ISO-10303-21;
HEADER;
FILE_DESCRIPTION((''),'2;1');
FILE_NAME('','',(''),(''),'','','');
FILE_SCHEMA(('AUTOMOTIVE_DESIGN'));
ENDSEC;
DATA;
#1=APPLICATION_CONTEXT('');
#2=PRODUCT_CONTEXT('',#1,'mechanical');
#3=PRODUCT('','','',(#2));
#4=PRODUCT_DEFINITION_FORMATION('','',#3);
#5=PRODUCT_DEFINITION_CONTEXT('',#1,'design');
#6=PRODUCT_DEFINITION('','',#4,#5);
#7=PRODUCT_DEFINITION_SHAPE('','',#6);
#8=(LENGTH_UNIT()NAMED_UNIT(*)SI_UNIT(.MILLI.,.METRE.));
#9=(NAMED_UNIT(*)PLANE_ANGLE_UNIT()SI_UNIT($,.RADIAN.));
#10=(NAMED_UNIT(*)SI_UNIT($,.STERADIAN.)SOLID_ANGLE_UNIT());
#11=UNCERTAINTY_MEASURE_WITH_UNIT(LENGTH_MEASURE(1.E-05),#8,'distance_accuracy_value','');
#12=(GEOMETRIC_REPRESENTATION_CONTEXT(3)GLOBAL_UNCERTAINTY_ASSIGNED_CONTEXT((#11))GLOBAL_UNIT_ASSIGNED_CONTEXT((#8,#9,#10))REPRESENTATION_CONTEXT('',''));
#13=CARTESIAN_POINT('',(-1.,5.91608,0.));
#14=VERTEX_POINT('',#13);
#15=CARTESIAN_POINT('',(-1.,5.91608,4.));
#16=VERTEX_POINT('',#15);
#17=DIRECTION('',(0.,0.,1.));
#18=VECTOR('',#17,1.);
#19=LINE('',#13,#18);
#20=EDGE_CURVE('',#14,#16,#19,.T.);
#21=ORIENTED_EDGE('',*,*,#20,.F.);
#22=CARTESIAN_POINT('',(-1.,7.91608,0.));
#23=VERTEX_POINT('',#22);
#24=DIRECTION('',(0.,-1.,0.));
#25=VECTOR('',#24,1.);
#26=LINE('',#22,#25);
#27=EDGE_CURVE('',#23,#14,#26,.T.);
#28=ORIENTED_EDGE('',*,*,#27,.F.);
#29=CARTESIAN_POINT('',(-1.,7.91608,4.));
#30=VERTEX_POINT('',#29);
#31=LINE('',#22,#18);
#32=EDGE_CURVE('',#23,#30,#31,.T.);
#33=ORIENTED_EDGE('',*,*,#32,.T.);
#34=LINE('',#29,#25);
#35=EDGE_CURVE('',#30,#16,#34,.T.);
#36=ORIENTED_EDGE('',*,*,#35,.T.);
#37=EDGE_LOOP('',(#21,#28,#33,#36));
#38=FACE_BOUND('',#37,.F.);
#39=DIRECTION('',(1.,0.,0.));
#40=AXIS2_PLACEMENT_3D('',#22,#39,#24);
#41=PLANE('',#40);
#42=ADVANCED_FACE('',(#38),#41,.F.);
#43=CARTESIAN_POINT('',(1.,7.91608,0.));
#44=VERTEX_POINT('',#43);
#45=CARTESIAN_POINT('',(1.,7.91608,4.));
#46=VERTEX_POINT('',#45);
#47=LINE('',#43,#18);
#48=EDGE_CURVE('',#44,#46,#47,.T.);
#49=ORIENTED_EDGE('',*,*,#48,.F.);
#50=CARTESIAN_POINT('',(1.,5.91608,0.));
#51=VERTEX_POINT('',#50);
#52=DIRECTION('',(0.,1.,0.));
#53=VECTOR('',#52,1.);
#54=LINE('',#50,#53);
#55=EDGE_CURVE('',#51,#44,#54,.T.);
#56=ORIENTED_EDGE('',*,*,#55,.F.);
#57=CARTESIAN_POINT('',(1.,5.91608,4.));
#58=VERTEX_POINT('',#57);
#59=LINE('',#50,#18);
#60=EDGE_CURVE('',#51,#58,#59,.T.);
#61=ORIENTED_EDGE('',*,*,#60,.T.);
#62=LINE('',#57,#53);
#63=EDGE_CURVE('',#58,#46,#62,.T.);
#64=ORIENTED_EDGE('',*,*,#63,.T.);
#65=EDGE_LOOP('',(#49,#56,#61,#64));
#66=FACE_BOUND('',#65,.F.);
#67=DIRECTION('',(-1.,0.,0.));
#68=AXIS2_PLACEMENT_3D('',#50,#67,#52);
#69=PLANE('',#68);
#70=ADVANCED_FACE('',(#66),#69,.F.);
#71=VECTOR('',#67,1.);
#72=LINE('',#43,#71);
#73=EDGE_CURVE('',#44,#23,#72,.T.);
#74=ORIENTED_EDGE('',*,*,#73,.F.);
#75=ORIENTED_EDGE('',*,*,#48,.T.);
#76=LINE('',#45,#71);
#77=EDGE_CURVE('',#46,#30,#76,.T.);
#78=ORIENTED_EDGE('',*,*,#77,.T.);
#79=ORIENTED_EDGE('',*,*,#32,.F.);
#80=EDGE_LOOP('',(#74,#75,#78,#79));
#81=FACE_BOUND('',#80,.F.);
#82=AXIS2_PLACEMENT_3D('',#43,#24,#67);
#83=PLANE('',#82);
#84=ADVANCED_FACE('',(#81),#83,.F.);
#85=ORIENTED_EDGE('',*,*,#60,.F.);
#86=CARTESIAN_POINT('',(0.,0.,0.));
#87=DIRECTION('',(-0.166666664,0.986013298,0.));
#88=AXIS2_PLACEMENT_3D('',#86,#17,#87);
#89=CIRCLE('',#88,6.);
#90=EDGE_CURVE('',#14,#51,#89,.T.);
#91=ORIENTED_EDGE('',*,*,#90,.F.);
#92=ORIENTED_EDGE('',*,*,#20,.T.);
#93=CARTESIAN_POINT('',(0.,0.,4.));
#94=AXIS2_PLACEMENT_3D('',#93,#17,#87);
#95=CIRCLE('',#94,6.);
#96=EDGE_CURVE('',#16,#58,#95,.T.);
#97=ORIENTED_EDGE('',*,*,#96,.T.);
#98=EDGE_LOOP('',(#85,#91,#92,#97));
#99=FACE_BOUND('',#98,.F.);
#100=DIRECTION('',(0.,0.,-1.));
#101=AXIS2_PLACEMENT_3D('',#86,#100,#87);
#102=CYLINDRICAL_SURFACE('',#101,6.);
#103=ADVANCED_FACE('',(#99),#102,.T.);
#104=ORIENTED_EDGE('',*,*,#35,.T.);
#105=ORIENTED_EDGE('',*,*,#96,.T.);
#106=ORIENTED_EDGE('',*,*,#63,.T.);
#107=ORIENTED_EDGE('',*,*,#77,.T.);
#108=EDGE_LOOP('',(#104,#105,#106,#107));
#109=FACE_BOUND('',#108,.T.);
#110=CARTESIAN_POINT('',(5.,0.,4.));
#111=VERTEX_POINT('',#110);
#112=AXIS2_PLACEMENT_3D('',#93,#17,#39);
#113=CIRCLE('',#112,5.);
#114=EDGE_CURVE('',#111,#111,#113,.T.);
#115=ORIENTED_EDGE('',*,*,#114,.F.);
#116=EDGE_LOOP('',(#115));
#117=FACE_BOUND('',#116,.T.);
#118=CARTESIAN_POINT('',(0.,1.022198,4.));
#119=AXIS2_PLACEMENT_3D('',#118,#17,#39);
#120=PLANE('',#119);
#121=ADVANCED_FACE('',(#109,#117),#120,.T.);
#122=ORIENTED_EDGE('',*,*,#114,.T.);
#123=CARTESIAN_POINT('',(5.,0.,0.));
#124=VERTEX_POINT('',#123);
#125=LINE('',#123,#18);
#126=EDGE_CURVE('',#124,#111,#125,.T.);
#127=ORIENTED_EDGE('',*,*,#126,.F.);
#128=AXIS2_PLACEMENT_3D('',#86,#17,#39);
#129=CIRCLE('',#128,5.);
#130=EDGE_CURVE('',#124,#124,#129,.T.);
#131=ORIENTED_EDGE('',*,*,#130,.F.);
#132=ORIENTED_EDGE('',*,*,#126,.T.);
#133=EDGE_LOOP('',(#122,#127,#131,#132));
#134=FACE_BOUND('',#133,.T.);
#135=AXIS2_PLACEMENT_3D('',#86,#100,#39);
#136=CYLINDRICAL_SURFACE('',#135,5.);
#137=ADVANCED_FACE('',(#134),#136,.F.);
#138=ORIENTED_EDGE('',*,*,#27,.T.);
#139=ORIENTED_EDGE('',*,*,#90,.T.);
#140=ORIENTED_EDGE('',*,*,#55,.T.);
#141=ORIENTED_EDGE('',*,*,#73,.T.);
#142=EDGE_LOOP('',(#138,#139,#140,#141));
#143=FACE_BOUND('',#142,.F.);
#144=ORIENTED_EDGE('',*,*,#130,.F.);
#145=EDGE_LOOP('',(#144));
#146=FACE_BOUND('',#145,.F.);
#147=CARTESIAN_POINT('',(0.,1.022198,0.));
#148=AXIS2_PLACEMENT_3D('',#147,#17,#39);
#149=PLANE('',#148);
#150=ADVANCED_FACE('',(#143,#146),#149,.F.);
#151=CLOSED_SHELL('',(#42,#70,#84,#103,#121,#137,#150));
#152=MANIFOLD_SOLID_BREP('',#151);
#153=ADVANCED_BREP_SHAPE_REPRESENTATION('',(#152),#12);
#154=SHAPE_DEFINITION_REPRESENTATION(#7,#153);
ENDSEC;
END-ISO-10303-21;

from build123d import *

# Parameters (mm, degrees)
SKETCH_R  = 5
PAD_DEPTH = 4


with BuildPart() as part:
    # Sketch → Pad (new body)
    with BuildSketch(Plane.XY):
        with BuildLine():
            ThreePointArc((-1, 5.91608), (0, -6), (1, 5.91608))
            Line((1, 5.91608), (1, 7.91608))
            Line((1, 7.91608), (-1, 7.91608))
            Line((-1, 7.91608), (-1, 5.91608))
        make_face()
        Circle(SKETCH_R, mode=Mode.SUBTRACT)
    extrude(amount=PAD_DEPTH)


solid = part.part
